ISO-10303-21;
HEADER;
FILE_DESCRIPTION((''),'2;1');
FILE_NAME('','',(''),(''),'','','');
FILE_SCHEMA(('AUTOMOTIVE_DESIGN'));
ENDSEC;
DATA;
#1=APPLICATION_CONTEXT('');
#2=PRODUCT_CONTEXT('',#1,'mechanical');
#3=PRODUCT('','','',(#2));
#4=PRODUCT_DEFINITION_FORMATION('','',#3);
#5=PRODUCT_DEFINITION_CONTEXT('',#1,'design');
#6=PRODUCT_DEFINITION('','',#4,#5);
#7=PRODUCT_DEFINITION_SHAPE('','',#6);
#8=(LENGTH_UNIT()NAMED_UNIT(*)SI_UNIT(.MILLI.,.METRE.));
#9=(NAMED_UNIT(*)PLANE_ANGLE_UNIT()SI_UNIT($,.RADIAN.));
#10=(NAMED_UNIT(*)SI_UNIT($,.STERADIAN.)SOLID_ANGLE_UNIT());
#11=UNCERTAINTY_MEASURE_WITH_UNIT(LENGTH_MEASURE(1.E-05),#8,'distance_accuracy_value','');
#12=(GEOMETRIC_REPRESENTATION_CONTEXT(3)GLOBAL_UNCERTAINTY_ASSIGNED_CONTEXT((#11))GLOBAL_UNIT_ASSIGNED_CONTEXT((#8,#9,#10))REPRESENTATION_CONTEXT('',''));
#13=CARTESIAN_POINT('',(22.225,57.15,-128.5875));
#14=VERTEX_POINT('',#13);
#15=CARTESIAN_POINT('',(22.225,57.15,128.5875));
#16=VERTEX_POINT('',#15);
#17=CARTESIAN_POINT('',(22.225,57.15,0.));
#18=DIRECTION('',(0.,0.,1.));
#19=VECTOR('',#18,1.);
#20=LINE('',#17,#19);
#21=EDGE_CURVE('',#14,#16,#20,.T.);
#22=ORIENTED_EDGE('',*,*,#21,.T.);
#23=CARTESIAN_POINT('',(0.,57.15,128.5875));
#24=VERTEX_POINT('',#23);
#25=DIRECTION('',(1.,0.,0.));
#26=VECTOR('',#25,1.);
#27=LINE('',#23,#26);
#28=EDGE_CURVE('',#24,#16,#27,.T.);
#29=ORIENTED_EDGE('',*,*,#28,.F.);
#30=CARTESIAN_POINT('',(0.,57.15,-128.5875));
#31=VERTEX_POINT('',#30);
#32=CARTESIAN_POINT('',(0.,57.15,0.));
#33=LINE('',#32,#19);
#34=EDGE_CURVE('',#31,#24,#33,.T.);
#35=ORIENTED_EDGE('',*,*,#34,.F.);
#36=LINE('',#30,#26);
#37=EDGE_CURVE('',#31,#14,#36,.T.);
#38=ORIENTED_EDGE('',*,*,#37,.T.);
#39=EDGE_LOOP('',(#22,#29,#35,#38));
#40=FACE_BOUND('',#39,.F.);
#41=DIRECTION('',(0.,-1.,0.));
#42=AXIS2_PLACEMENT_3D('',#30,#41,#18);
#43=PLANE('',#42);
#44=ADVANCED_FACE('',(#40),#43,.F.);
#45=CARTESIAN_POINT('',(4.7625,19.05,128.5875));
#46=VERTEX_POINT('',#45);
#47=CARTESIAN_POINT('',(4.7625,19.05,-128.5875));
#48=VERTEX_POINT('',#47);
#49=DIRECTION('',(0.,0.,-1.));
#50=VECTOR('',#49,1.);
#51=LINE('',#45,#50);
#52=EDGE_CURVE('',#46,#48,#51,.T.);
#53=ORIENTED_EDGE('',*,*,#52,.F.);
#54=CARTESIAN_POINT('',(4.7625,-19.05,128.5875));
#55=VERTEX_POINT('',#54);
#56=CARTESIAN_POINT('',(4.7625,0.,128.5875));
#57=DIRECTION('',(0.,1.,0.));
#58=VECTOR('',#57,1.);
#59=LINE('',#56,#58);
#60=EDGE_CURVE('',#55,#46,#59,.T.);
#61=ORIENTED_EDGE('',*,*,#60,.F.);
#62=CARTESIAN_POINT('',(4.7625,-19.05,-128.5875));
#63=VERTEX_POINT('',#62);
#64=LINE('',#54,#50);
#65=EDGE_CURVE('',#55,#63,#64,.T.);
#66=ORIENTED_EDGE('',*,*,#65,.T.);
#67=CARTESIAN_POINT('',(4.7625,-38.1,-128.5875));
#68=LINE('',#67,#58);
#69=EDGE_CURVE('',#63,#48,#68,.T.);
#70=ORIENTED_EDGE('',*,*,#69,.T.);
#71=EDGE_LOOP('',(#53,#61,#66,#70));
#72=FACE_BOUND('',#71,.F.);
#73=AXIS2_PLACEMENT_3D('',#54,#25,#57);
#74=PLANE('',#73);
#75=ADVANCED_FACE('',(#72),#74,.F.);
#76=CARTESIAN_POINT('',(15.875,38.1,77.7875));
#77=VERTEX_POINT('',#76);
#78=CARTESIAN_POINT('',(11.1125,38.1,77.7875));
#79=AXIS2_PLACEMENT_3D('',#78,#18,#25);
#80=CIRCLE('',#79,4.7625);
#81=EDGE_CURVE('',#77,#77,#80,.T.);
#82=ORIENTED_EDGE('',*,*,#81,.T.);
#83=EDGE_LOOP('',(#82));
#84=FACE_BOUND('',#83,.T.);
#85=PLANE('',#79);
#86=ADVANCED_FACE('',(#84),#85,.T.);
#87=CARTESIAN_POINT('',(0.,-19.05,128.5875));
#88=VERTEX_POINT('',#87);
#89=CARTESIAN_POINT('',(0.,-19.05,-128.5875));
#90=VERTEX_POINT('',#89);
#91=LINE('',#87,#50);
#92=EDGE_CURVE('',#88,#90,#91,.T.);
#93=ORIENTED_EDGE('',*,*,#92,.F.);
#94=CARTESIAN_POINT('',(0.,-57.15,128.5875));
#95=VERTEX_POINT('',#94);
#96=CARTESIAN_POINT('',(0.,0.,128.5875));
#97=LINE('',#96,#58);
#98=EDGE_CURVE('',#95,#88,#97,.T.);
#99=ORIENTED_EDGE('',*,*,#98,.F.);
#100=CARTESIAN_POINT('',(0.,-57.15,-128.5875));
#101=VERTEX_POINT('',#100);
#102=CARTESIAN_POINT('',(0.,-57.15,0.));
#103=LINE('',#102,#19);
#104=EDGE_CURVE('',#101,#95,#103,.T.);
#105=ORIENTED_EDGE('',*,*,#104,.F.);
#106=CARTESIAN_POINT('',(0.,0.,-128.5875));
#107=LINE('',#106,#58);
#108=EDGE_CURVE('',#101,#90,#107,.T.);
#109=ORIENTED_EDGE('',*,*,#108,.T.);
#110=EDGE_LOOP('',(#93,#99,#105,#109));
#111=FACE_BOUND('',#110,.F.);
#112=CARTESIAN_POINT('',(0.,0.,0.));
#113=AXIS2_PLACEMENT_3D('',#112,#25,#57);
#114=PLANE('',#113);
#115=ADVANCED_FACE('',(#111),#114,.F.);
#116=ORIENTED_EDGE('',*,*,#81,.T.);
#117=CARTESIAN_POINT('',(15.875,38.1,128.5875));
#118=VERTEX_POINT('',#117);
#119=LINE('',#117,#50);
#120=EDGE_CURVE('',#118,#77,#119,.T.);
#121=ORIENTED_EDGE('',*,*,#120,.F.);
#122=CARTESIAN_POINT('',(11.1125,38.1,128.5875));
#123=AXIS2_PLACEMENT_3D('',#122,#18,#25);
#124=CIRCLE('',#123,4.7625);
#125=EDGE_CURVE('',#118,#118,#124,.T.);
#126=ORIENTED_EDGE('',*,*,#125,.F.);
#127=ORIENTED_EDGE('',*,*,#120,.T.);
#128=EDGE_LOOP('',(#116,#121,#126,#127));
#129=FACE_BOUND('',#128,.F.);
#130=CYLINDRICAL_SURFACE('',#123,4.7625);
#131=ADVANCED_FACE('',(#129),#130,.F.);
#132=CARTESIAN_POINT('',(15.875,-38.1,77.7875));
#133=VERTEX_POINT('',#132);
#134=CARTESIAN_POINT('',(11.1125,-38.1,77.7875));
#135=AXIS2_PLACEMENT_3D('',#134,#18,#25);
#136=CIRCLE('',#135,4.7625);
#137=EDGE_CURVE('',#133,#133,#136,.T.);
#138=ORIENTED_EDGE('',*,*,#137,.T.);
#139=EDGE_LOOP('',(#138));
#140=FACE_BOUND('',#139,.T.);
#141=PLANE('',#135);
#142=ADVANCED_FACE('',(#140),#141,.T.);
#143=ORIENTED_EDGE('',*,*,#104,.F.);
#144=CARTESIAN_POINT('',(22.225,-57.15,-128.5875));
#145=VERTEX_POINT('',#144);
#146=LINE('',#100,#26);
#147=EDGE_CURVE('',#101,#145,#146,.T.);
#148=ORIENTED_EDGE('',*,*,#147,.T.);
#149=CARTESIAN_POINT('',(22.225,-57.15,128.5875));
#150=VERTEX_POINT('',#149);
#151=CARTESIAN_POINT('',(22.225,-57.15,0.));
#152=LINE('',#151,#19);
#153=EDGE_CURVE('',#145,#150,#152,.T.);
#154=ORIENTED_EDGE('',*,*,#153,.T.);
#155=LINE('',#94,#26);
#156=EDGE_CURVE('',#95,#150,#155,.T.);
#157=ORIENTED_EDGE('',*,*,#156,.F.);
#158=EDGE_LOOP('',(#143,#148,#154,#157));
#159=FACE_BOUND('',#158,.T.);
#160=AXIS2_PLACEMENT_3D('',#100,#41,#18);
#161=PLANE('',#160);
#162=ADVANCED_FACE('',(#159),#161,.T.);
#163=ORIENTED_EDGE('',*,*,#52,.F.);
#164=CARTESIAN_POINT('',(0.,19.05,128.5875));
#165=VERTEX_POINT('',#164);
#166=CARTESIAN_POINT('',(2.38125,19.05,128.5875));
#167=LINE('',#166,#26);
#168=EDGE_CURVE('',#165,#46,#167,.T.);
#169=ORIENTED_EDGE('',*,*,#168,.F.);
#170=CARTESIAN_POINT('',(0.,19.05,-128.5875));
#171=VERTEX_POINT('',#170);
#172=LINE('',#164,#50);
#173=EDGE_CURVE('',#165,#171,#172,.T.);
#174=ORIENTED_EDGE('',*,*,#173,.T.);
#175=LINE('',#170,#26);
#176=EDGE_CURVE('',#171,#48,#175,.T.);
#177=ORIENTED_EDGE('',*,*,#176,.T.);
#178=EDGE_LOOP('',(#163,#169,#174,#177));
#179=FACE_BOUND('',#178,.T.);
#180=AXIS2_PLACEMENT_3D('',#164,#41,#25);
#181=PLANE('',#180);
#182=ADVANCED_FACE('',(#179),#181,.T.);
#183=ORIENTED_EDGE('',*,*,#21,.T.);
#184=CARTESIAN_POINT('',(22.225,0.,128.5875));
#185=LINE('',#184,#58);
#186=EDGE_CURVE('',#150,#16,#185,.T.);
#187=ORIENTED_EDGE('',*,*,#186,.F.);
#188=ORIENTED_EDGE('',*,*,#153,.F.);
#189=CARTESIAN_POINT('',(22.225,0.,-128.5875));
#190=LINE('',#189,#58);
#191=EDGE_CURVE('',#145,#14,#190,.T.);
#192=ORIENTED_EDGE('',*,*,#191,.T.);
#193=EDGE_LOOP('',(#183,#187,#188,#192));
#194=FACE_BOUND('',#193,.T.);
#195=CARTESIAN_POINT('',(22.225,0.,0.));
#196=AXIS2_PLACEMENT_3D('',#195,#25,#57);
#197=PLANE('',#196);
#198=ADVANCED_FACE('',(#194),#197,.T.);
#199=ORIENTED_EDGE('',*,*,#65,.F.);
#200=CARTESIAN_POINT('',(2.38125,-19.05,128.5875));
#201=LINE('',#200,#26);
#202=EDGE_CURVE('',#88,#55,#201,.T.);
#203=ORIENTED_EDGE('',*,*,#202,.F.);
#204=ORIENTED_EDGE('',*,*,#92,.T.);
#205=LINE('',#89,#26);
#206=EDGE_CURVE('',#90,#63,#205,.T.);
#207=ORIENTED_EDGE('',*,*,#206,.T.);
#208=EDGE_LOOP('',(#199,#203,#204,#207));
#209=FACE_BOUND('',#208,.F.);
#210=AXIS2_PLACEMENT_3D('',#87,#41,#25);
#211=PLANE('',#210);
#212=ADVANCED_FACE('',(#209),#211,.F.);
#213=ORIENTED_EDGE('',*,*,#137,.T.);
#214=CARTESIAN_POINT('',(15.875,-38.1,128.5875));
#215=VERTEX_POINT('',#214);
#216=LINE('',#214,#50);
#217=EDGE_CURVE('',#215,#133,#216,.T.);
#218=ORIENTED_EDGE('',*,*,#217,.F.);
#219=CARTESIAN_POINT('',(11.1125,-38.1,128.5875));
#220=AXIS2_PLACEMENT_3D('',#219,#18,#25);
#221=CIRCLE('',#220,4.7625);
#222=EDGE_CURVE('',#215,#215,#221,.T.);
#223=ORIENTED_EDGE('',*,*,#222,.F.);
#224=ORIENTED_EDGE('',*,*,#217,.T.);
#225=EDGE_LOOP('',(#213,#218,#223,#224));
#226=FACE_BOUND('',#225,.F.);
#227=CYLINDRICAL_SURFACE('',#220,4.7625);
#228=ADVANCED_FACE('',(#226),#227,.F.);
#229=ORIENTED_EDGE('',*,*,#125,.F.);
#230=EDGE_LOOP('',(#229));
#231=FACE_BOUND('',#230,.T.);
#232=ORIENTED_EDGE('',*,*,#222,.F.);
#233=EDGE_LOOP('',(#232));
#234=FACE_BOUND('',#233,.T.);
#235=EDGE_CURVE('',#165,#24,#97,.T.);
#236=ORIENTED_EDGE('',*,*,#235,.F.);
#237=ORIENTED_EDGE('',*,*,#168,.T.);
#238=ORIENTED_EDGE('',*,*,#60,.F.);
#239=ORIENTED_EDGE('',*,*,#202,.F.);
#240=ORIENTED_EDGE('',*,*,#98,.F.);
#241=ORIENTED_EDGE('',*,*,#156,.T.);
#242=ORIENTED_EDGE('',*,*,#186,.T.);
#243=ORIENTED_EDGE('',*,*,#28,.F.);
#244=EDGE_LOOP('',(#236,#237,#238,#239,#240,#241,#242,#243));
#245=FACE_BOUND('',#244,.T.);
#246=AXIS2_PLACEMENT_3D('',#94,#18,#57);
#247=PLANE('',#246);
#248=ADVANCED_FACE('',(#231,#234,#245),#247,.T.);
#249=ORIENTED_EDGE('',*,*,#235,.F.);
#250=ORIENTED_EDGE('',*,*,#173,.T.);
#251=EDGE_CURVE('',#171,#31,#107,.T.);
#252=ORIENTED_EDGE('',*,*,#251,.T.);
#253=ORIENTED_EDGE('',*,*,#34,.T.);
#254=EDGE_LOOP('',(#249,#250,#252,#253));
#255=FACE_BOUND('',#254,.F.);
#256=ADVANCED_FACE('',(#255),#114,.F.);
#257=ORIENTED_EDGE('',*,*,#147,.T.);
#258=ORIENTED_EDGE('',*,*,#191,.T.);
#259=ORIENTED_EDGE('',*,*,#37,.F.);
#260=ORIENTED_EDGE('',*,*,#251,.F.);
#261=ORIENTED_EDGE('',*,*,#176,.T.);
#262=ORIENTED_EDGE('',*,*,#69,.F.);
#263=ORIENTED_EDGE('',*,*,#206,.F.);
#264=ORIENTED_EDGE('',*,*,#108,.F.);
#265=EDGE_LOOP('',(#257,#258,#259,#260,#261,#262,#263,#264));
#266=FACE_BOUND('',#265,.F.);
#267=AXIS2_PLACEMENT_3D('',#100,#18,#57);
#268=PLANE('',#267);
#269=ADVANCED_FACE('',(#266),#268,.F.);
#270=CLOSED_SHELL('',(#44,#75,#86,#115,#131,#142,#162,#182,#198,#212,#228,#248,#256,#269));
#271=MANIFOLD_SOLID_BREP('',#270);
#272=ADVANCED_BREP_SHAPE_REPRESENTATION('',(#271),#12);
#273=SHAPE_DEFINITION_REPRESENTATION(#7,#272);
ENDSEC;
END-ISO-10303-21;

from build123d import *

# Parameters (mm, degrees)
F0_W     = 114.3
F0_H     = 257.175
F1_DEPTH = 22.225
F2_W     = 4.7625
F2_H     = 38.1
F3_DEPTH = 257.176
F4_R     = 4.7625
F5_DEPTH = 50.8


with BuildPart() as f1:
    # F0 (on Right) → F1 (new body)
    with BuildSketch(Plane.YZ):
        Rectangle(F0_W, F0_H)
    extrude(amount=F1_DEPTH)

    # F2 (on face) → F3 (cut, through all)
    with BuildSketch(Plane.XY.offset(128.5875)):
        with Locations((2.38125, 0)):
            Rectangle(F2_W, F2_H)
    extrude(amount=-F3_DEPTH, mode=Mode.SUBTRACT)

    # F4 (on face) → F5 (cut)
    with BuildSketch(Plane.XY.offset(128.5875)):
        with Locations((11.1125, -38.1)):
            Circle(F4_R)
        with Locations((11.1125, 38.1)):
            Circle(F4_R)
    extrude(amount=-F5_DEPTH, mode=Mode.SUBTRACT)


solid = f1.part
